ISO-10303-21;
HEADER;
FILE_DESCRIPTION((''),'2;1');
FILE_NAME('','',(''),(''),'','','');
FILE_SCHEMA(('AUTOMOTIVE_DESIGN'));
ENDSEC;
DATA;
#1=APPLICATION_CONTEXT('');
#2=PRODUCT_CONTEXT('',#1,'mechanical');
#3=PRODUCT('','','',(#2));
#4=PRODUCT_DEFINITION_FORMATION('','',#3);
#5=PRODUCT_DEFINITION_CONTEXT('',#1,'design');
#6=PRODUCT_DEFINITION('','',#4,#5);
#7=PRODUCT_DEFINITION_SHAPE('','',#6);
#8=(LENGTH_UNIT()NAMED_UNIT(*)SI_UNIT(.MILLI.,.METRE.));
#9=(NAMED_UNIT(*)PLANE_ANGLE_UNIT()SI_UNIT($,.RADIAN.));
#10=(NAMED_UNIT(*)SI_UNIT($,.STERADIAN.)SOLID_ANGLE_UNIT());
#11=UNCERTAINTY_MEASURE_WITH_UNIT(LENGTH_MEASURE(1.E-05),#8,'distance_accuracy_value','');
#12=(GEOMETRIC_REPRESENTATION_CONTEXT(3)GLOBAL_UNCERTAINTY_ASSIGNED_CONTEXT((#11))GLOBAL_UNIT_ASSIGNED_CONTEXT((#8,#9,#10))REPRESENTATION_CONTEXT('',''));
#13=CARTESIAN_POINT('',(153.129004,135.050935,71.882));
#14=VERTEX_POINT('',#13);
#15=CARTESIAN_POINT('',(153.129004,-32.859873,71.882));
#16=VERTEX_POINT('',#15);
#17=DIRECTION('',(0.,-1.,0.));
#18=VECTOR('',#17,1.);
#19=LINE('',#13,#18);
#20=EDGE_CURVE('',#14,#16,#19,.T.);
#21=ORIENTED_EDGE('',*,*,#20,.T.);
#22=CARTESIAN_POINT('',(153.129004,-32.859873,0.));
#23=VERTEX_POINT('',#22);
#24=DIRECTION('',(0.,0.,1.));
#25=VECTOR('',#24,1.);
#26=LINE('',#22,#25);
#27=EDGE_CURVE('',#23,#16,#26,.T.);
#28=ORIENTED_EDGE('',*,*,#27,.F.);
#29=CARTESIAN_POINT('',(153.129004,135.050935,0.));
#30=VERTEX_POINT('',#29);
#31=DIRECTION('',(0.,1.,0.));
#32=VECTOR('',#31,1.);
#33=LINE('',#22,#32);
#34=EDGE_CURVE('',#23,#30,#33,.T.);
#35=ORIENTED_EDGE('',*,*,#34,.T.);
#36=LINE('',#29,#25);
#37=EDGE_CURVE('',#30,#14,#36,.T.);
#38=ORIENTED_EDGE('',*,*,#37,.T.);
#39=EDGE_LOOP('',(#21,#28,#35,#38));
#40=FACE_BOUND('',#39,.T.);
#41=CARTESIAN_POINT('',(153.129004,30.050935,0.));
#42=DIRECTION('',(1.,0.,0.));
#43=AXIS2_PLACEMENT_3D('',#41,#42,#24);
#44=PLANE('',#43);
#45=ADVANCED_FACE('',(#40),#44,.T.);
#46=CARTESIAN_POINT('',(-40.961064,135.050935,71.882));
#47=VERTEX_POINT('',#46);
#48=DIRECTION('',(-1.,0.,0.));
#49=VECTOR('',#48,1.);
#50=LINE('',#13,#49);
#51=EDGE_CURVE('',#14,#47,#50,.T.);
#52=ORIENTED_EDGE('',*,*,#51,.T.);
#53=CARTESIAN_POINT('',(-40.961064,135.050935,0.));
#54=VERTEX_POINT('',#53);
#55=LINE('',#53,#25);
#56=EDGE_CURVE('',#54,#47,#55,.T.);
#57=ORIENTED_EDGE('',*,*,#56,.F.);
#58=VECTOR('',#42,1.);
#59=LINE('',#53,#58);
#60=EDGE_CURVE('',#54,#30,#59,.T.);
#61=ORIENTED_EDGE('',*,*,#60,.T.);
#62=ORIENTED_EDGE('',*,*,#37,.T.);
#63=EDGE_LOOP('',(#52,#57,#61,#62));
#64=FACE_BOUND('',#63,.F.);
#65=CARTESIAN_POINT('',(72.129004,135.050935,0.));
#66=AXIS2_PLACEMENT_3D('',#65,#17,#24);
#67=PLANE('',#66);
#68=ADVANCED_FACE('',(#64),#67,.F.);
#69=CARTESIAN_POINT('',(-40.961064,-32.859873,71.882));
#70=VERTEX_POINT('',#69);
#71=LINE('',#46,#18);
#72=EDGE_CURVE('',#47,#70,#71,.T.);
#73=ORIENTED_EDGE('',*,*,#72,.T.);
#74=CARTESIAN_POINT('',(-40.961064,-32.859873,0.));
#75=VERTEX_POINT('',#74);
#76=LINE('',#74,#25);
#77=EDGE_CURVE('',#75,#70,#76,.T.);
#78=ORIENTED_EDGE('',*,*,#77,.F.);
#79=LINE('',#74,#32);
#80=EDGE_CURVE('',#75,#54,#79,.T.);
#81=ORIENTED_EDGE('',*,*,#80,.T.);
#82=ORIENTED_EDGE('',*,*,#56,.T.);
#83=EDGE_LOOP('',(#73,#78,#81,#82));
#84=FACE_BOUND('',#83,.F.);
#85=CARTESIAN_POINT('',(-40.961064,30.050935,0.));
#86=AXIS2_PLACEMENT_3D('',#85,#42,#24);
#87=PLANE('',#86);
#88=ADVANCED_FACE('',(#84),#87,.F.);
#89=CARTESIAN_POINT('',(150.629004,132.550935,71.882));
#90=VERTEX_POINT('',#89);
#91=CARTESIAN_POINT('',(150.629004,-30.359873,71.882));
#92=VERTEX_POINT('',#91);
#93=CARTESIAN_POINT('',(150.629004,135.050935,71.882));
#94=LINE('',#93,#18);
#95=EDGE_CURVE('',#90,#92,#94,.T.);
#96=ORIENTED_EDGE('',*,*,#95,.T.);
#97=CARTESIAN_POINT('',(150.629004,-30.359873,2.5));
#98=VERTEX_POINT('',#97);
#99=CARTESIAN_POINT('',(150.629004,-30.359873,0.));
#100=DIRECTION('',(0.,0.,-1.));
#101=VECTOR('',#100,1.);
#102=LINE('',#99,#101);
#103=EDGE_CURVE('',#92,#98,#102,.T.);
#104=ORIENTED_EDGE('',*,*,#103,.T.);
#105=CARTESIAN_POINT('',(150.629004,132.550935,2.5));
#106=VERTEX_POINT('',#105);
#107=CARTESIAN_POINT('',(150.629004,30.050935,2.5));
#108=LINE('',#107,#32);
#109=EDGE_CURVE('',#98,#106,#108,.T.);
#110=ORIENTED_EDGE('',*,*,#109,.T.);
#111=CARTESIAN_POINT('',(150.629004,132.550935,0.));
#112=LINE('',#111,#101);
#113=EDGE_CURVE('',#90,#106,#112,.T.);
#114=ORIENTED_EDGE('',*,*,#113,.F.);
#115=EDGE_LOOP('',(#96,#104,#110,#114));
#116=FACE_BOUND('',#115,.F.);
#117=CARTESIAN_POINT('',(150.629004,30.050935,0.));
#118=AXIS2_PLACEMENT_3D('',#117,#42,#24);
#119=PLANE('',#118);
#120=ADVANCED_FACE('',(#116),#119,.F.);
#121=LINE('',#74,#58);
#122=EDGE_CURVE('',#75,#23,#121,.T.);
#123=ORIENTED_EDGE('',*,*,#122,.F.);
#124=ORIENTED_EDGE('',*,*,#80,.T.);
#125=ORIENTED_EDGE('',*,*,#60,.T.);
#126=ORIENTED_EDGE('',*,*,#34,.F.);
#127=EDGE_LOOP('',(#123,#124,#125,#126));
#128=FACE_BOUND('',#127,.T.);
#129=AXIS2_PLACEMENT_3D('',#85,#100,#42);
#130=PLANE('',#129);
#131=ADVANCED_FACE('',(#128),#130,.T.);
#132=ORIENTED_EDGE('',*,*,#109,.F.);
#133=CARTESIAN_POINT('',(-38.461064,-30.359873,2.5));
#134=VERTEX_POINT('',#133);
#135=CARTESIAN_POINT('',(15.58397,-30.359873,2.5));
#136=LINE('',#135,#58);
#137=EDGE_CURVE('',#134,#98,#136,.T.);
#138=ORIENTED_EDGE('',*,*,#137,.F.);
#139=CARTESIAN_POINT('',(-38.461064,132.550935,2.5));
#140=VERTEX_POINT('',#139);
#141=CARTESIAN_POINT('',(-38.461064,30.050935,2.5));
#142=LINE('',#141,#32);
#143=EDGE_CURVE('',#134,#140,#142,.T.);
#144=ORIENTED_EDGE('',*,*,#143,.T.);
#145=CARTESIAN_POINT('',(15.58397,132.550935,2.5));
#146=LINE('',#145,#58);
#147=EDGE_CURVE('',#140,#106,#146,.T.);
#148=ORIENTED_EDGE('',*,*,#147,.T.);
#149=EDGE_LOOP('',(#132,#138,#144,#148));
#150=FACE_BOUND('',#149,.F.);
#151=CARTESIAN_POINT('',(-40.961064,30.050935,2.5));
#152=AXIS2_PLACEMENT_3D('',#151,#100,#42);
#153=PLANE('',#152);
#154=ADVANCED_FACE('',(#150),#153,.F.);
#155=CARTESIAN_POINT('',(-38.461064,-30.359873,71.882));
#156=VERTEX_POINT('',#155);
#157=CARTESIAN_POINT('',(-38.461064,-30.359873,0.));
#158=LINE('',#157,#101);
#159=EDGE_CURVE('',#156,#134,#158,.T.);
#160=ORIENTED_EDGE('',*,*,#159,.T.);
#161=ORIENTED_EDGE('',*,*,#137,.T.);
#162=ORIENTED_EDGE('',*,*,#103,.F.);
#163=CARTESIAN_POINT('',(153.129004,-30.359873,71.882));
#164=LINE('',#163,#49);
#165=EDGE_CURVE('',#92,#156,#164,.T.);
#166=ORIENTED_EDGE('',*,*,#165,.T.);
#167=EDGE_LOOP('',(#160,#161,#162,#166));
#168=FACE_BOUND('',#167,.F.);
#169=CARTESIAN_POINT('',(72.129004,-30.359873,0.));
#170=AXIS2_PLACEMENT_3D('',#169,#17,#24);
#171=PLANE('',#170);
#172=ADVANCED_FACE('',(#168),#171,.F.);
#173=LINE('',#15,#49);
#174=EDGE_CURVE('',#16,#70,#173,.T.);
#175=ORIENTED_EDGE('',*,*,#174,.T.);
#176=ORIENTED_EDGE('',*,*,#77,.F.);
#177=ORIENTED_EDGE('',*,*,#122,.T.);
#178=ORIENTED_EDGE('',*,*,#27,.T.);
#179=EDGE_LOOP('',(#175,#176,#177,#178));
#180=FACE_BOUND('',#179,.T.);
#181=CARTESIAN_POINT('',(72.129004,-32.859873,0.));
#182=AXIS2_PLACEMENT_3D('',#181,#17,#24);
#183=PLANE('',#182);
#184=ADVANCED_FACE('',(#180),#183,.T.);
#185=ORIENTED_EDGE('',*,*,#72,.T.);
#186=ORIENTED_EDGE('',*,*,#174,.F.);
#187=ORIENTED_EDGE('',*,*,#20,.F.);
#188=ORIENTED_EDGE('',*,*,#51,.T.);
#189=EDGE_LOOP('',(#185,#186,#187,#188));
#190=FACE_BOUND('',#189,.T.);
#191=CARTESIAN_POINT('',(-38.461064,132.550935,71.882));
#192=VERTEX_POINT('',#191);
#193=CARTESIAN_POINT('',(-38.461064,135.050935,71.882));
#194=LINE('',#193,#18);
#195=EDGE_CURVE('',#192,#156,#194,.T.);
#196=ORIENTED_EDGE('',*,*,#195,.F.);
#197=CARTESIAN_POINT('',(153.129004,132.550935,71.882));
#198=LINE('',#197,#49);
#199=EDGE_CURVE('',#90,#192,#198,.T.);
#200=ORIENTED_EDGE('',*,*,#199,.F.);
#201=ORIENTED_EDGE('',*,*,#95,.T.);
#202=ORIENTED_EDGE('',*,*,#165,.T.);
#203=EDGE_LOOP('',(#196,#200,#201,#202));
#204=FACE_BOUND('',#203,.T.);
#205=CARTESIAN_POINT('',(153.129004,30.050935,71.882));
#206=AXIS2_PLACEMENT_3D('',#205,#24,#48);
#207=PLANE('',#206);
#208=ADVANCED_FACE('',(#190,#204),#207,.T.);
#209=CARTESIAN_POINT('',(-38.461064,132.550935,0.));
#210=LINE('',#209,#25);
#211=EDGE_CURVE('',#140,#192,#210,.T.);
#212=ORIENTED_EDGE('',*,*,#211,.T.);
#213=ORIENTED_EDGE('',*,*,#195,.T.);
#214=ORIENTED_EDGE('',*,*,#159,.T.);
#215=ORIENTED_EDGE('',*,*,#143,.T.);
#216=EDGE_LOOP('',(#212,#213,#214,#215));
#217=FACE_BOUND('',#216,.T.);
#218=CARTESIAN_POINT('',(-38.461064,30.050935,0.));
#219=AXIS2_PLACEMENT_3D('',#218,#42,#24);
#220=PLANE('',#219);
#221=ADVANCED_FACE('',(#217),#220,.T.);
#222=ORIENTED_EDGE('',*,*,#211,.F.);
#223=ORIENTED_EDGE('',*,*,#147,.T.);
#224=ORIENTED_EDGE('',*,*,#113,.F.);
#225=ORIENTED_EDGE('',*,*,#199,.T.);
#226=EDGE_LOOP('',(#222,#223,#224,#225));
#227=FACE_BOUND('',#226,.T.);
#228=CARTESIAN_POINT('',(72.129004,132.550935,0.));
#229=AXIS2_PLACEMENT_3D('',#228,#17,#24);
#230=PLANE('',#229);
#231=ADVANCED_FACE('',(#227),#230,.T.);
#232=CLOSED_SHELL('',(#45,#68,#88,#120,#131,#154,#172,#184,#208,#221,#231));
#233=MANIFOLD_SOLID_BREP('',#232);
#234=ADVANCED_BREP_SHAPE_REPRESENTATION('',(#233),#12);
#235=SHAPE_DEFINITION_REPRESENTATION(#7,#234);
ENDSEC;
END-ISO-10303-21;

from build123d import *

# Parameters (mm, degrees)
F0_W     = 113.0900681019
F0_H     = 62.9108082503
F1_DEPTH = 71.882
F2_DEPTH = 81
F3_DEPTH = 105
F4_T     = -2.5


with BuildPart() as f1:
    # F0 (on Top) → F1 (new body)
    with BuildSketch(Plane.XY):
        with Locations((15.5839696527, -1.4044689015)):
            Rectangle(F0_W, F0_H)
    extrude(amount=F1_DEPTH)

    # F2 (add): a face of the model
    f2_faces = [f1.faces().sort_by_distance(p)[0] for p in [
        (72.1290037036, -1.4044689015, 35.941),
    ]]
    extrude(f2_faces, amount=F2_DEPTH)

    # F3 (add): a face of the model
    f3_faces = [f1.faces().sort_by_distance(p)[0] for p in [
        (56.0839696527, 30.0509352237, 35.941),
    ]]
    extrude(f3_faces, amount=F3_DEPTH)

    # F4
    f4_openings = [f1.faces().sort_by_distance(p)[0] for p in [
        (56.08397, 51.095531, 71.882),
    ]]
    offset(amount=F4_T, openings=f4_openings)


solid = f1.part
